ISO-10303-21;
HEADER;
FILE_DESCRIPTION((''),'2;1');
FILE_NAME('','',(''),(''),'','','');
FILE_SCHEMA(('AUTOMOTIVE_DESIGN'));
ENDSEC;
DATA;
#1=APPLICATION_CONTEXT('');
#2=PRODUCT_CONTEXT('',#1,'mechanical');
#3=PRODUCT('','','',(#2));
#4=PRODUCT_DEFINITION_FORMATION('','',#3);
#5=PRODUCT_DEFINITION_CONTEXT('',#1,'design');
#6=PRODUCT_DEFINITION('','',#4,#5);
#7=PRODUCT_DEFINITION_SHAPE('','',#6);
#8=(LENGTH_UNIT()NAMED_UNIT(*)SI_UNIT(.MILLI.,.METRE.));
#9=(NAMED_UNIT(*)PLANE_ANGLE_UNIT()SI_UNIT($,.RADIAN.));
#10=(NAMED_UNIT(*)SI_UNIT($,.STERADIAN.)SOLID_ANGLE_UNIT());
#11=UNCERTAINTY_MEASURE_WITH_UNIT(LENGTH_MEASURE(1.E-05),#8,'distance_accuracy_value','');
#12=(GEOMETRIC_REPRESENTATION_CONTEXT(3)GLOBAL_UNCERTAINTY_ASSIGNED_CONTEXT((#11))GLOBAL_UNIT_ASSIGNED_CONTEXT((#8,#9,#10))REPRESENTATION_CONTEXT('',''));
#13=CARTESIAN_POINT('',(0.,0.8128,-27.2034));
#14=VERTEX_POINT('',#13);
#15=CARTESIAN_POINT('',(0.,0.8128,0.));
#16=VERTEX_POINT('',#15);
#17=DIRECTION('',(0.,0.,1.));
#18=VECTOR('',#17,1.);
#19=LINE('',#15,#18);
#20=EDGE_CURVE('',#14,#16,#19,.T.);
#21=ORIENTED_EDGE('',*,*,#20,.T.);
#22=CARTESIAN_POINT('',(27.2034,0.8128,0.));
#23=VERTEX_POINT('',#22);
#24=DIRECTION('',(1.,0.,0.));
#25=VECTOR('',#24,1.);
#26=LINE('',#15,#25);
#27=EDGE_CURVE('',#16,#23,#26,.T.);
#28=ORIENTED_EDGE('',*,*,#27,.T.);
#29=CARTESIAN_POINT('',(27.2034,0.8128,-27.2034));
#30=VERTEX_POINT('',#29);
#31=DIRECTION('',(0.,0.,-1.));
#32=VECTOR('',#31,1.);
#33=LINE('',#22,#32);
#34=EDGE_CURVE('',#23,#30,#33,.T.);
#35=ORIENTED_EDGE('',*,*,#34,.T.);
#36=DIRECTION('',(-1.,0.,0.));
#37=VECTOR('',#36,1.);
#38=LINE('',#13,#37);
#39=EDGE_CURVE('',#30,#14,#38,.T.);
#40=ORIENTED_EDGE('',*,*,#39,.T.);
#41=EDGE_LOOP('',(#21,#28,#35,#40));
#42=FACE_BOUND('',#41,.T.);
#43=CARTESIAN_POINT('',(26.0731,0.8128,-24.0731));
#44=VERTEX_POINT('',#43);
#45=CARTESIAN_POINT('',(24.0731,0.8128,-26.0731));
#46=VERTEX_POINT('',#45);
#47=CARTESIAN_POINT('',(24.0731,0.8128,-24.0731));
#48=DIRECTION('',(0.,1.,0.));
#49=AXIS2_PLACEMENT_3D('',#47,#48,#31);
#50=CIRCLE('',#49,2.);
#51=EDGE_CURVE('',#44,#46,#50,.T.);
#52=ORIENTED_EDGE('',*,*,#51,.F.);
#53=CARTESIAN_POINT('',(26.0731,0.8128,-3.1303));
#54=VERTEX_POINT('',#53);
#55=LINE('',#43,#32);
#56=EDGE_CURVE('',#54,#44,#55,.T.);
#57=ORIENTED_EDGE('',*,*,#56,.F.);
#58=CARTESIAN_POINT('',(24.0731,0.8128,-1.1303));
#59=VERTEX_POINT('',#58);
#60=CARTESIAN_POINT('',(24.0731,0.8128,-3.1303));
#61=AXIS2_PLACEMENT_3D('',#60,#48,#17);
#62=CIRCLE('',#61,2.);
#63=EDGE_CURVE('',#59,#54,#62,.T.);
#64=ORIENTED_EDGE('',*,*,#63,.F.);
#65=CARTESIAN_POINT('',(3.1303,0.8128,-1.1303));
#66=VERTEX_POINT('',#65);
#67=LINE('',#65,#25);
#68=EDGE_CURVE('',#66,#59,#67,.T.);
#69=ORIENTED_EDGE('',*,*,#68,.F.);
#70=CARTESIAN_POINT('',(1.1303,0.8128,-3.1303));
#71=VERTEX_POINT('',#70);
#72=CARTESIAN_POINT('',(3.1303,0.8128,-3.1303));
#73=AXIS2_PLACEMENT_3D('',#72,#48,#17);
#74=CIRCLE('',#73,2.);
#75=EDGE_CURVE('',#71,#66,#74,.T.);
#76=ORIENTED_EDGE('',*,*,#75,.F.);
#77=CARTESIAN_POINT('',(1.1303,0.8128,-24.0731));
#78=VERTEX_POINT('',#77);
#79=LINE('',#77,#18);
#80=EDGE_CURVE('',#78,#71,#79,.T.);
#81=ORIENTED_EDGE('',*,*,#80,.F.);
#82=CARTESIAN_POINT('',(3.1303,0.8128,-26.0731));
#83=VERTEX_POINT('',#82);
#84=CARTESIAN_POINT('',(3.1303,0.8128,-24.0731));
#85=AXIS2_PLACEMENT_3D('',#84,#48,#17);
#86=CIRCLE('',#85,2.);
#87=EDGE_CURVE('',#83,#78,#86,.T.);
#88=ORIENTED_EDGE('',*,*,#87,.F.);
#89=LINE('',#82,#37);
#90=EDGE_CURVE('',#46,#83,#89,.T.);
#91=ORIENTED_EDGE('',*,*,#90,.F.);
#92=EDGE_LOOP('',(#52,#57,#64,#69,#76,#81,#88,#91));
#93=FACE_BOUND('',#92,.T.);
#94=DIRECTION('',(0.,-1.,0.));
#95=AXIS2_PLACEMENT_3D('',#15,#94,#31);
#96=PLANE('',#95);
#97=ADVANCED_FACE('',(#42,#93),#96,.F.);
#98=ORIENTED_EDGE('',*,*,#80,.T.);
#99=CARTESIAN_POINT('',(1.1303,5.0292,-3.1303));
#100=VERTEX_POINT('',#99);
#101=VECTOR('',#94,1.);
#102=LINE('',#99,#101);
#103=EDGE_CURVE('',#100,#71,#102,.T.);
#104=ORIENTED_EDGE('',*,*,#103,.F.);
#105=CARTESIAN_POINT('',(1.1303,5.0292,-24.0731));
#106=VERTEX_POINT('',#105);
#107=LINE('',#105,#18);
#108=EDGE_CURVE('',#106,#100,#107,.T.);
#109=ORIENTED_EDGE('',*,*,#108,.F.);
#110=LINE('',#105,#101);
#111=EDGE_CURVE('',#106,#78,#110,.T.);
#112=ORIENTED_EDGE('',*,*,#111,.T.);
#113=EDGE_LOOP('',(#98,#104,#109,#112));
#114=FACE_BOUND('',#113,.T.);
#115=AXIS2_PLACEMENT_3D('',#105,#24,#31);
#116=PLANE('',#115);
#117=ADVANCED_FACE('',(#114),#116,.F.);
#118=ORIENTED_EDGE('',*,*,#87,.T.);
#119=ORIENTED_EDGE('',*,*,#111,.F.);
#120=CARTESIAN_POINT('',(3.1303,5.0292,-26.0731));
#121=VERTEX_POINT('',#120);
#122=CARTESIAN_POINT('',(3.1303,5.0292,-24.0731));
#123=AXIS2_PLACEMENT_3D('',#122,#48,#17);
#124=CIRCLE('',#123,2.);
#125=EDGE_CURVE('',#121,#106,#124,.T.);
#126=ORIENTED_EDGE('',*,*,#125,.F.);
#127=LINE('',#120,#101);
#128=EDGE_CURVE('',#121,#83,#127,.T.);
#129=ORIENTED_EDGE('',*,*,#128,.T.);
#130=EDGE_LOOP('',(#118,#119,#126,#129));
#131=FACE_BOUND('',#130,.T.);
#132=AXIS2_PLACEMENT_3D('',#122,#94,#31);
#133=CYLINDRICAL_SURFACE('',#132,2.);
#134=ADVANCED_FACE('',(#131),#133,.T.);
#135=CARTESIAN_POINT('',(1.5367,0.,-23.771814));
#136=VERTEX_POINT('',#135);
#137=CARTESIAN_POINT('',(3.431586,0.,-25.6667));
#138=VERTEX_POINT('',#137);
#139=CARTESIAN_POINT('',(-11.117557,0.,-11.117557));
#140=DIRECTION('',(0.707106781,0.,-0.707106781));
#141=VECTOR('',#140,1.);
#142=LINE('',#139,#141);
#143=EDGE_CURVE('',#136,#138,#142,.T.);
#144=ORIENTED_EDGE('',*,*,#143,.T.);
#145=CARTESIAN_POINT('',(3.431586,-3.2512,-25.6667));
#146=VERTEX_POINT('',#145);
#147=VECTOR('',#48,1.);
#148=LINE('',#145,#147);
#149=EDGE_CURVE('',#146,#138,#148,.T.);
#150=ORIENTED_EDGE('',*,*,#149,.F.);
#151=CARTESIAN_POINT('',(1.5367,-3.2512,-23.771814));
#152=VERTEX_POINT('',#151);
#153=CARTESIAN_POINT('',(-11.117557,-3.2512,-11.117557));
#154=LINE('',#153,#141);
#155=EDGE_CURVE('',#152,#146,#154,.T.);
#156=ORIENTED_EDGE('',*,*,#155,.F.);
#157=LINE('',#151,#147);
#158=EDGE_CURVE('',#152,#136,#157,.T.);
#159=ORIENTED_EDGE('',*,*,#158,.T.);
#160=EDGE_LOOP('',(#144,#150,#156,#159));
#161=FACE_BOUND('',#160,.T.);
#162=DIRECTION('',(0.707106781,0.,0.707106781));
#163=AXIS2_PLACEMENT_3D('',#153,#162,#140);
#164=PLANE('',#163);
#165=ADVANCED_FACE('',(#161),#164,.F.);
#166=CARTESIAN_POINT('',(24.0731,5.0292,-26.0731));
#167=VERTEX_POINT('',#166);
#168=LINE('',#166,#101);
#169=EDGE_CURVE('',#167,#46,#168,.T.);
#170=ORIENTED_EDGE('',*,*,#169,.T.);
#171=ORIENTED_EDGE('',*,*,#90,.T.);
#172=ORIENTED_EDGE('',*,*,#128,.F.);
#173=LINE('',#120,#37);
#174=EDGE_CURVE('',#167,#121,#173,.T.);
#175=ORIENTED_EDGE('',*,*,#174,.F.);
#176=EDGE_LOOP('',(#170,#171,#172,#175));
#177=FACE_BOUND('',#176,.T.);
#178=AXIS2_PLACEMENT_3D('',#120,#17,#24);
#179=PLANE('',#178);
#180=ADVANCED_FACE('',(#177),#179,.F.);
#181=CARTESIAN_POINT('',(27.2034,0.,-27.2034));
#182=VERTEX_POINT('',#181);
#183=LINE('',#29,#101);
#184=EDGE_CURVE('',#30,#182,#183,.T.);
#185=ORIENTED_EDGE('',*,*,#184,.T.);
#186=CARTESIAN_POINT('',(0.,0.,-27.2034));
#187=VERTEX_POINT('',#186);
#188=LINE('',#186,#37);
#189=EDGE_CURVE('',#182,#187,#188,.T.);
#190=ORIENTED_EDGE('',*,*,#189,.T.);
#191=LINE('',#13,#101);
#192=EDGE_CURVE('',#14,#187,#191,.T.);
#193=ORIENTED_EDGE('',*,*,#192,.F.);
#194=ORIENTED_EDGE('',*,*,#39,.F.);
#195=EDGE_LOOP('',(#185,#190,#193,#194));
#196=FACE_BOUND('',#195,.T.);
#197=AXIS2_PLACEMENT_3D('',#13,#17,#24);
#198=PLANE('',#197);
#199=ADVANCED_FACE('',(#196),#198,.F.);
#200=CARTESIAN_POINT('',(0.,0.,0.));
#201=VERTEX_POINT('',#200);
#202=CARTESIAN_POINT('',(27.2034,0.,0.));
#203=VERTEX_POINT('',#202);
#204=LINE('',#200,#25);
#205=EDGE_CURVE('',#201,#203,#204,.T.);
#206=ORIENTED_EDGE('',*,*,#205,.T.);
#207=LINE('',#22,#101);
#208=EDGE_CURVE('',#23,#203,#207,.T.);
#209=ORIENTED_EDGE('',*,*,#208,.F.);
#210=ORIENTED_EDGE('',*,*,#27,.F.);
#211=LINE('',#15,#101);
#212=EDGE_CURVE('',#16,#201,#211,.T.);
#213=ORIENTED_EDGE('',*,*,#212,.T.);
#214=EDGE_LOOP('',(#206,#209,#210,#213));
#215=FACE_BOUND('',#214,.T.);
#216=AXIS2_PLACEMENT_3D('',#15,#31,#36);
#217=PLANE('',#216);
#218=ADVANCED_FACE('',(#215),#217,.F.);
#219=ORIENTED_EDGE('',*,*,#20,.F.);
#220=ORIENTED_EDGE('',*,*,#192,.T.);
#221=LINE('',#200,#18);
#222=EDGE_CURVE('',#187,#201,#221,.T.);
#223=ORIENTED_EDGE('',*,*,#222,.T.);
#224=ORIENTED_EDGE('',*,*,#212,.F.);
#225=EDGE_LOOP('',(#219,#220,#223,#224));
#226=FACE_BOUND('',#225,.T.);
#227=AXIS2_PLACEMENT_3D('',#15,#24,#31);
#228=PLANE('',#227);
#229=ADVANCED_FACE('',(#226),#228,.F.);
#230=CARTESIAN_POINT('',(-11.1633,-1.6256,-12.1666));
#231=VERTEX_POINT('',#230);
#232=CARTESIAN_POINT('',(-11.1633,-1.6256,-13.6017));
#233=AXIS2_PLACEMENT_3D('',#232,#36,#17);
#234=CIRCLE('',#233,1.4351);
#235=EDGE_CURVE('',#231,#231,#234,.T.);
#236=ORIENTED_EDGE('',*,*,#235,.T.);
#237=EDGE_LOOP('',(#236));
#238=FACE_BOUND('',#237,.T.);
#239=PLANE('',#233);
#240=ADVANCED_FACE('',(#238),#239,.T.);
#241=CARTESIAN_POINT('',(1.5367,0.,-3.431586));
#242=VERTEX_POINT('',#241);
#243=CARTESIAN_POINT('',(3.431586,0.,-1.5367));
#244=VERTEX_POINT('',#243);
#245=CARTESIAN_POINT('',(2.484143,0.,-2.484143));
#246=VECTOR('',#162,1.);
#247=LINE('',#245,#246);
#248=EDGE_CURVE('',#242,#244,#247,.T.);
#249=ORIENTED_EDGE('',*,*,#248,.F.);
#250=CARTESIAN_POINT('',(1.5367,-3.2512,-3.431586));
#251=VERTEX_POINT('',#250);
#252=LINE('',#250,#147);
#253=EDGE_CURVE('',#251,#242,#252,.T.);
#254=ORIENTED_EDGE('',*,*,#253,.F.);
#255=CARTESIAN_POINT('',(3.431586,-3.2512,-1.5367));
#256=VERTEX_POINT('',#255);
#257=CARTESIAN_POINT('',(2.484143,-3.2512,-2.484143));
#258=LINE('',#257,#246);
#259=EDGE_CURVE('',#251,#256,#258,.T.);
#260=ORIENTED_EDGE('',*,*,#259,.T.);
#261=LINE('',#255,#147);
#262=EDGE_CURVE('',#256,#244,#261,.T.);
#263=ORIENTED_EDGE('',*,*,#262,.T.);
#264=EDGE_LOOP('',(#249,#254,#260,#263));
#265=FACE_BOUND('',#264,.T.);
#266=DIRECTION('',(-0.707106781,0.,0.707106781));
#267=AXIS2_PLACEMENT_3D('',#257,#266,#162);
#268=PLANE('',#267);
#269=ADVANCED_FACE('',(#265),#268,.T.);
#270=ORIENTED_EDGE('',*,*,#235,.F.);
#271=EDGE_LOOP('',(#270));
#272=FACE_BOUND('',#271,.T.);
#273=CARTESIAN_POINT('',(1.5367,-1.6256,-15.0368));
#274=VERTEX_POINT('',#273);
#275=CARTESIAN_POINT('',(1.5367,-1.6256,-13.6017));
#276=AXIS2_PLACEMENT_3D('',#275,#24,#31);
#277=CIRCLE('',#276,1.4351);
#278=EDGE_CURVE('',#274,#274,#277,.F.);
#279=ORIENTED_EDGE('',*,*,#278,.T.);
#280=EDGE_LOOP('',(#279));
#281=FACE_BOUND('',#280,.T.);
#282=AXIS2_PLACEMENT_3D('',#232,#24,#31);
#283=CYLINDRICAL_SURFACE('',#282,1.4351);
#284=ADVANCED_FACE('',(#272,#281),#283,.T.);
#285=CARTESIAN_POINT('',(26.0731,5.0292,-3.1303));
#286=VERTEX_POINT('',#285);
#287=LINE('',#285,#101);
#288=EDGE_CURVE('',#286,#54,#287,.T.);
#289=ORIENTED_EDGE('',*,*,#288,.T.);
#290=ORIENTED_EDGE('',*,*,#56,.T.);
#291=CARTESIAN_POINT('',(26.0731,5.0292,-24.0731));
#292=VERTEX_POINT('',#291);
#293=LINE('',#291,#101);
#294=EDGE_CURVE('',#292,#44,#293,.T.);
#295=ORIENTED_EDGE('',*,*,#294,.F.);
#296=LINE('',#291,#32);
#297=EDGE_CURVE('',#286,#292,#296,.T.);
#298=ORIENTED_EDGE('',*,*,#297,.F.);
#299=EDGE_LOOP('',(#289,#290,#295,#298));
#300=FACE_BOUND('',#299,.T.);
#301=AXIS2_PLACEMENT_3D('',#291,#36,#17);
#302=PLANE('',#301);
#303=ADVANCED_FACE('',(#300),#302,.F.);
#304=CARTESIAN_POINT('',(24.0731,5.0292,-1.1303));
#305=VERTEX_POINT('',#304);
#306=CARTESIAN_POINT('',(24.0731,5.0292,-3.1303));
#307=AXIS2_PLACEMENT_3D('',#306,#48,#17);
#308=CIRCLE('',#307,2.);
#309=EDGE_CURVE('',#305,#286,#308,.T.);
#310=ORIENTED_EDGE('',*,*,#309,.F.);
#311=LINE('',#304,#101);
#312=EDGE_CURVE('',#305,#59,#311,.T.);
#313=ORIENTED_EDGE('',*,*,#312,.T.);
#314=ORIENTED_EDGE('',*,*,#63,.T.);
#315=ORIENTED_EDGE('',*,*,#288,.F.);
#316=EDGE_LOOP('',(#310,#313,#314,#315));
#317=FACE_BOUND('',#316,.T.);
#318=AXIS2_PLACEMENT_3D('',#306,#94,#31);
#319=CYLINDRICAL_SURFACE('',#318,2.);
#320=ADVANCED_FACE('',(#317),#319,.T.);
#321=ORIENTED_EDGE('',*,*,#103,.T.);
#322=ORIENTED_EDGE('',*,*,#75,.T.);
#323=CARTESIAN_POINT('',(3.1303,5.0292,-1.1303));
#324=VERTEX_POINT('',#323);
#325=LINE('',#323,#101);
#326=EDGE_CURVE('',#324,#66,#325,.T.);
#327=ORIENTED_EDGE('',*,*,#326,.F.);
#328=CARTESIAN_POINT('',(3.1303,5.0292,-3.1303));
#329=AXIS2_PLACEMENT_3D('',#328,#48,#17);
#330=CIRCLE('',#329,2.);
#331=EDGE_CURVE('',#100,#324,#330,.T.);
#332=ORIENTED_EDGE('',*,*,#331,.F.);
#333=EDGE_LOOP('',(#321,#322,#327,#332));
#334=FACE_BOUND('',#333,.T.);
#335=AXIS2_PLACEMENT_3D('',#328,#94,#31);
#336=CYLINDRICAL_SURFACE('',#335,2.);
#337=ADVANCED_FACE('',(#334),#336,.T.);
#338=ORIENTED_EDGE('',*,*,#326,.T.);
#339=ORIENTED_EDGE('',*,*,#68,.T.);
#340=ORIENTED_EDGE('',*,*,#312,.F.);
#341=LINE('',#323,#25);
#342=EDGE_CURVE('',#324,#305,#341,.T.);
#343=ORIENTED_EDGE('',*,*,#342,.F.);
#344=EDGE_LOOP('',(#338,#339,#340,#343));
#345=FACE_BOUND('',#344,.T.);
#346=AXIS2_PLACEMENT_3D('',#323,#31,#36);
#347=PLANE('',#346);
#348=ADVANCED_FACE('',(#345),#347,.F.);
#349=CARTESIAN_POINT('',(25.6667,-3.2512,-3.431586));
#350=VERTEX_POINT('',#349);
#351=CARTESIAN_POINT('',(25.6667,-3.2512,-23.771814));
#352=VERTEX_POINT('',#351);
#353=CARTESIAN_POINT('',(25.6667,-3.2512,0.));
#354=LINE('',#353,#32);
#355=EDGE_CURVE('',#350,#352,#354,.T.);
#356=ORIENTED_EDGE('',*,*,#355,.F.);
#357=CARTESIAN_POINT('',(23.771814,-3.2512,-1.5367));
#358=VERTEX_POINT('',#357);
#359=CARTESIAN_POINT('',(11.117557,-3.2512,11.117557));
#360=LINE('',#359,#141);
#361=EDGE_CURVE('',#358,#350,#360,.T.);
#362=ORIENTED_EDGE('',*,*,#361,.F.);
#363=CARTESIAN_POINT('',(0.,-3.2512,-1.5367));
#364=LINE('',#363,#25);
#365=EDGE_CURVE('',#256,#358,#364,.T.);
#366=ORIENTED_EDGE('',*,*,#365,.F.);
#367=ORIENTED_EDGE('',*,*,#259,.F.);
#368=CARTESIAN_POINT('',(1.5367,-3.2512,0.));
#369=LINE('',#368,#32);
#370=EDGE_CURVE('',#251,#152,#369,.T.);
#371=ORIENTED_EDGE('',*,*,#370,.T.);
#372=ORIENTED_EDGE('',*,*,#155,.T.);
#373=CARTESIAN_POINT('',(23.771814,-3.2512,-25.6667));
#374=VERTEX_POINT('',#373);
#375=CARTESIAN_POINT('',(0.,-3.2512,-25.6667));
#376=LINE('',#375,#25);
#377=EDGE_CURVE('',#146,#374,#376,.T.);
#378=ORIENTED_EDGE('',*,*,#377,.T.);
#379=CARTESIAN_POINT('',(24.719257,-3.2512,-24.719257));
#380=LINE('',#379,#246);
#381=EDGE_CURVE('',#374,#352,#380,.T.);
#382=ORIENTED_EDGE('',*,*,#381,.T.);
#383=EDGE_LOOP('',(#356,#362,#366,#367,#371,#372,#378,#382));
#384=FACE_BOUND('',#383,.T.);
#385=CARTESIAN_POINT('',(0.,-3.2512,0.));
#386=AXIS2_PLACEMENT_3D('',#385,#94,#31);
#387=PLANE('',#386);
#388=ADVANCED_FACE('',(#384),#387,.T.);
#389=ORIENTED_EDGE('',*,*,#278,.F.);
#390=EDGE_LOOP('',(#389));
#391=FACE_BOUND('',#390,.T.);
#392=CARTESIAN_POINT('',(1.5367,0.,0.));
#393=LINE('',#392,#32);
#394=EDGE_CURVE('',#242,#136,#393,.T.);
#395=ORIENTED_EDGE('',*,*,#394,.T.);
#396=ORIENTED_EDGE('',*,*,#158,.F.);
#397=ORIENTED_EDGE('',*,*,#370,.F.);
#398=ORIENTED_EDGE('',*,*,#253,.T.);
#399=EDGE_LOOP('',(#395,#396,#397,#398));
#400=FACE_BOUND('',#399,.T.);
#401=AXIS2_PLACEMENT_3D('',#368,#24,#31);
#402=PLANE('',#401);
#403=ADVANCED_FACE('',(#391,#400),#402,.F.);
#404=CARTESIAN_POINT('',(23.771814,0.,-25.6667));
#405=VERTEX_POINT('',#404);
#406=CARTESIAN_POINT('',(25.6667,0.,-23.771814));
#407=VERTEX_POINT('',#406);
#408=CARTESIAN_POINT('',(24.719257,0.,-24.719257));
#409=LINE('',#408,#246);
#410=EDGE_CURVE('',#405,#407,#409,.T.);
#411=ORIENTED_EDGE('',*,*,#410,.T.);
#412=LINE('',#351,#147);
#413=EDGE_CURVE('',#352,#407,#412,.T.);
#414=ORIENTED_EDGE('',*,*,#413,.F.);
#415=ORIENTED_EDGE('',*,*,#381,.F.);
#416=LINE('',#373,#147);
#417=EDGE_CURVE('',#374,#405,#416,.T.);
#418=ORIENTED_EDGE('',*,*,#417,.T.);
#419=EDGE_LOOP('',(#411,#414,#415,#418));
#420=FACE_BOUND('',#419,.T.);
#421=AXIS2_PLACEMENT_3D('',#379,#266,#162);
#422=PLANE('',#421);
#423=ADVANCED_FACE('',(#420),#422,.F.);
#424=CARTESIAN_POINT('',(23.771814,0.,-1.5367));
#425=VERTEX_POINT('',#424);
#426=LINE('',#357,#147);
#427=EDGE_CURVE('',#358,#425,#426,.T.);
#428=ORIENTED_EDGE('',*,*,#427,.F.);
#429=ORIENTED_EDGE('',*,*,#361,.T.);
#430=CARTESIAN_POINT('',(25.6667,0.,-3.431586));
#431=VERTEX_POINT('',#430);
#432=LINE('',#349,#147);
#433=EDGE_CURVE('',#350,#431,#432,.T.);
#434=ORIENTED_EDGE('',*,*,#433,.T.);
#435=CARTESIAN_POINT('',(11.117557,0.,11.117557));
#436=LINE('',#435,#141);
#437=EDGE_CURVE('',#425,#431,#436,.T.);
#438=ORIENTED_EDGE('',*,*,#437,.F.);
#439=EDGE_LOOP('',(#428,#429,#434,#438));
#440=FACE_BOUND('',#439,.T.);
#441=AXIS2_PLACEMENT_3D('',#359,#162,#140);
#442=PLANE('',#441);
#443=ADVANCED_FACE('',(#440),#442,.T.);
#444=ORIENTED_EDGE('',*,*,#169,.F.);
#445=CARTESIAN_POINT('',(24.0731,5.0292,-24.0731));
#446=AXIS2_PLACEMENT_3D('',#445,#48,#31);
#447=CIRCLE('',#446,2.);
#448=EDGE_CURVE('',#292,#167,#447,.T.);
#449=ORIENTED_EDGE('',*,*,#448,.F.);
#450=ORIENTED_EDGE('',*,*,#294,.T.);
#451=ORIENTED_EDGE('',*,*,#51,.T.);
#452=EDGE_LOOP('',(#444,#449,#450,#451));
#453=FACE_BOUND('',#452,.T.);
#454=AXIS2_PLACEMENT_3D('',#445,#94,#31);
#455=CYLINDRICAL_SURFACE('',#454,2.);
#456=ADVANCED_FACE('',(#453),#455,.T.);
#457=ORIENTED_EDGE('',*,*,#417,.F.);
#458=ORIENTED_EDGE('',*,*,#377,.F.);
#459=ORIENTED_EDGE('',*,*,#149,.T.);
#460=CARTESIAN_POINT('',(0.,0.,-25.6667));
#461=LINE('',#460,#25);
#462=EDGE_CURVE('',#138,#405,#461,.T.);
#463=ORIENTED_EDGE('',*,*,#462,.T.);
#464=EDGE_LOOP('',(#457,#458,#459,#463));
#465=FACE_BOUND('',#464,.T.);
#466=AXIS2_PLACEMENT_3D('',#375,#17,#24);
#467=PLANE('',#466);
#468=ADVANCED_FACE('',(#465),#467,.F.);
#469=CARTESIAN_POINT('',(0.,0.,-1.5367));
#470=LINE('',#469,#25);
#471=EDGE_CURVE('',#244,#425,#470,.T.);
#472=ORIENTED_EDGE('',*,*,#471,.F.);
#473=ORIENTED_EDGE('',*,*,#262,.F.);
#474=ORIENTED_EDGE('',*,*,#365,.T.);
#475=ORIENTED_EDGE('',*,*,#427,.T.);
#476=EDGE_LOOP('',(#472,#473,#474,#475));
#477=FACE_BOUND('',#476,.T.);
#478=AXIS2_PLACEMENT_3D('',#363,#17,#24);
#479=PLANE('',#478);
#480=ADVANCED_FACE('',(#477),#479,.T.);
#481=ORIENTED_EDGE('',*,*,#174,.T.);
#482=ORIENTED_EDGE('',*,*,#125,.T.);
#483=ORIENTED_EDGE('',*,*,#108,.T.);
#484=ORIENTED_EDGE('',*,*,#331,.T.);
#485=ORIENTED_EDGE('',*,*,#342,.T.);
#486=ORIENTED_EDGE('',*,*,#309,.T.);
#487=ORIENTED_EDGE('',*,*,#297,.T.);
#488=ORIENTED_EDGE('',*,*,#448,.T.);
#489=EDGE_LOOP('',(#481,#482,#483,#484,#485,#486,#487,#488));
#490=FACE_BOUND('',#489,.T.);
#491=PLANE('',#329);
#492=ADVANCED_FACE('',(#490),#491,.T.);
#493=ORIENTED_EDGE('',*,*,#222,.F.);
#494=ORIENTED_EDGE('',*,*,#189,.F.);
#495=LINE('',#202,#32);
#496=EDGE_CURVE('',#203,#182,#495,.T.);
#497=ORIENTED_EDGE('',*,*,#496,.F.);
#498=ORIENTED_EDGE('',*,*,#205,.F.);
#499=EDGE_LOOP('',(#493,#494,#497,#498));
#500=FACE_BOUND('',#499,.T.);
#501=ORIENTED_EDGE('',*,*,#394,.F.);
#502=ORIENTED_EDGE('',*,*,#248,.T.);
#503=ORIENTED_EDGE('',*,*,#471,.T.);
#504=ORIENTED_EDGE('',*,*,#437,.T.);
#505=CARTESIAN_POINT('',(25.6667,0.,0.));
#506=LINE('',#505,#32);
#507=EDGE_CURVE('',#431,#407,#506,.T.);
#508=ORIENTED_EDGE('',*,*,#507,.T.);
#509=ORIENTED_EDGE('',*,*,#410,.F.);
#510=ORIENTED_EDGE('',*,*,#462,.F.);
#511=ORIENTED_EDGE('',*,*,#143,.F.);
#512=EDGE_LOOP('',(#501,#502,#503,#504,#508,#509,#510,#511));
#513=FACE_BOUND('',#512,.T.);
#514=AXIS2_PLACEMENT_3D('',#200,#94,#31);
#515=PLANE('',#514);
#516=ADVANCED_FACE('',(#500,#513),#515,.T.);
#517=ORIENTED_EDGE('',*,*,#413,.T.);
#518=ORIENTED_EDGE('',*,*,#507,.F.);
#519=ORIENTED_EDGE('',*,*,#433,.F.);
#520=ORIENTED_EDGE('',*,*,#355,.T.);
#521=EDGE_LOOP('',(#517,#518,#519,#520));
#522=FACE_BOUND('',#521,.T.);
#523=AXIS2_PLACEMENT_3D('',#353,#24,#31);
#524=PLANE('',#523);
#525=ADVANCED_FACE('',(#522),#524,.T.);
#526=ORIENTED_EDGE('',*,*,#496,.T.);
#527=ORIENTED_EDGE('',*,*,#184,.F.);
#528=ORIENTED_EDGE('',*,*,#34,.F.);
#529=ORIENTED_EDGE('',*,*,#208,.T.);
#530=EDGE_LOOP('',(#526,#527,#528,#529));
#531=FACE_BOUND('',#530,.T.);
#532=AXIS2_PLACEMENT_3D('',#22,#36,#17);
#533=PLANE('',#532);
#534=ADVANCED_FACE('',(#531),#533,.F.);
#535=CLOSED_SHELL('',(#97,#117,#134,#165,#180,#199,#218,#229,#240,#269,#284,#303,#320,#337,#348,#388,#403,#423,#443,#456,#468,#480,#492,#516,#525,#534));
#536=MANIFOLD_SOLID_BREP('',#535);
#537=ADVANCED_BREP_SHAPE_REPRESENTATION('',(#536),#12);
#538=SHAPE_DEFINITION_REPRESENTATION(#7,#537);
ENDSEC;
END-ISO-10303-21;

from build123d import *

# Parameters (mm, degrees)
SKETCH1_W           = 27.2034
SKETCH1_H           = 27.2034
BOSS_EXTRUDE1_DEPTH = 0.8128
BOSS_EXTRUDE2_DEPTH = 4.2164
BOSS_EXTRUDE3_DEPTH = 3.2512
SKETCH4_R           = 1.4351
BOSS_EXTRUDE4_DEPTH = 12.7


with BuildPart() as part:
    # Sketch1 → Boss-Extrude1 (new body)
    with BuildSketch(Plane(origin=(0, 0, 0), x_dir=(1, 0, 0), z_dir=(0, 1, 0))):
        with Locations((13.6017, 13.6017)):
            Rectangle(SKETCH1_W, SKETCH1_H)
    extrude(amount=BOSS_EXTRUDE1_DEPTH)

    # Sketch2 → Boss-Extrude2 (add)
    with BuildSketch(Plane(origin=(0, 0.8128, 0), x_dir=(1, 0, 0), z_dir=(0, 1, 0))):
        with BuildLine():
            Line((3.1303, 26.0731), (24.0731, 26.0731))
            ThreePointArc((24.0731, 26.0731), (25.487313562, 25.487313562), (26.0731, 24.0731))
            Line((26.0731, 24.0731), (26.0731, 3.1303))
            ThreePointArc((26.0731, 3.1303), (25.487313562, 1.716086438), (24.0731, 1.1303))
            Line((24.0731, 1.1303), (3.1303, 1.1303))
            ThreePointArc((3.1303, 1.1303), (1.716086438, 1.716086438), (1.1303, 3.1303))
            Line((1.1303, 3.1303), (1.1303, 24.0731))
            ThreePointArc((1.1303, 24.0731), (1.716086438, 25.487313562), (3.1303, 26.0731))
        make_face()
    extrude(amount=BOSS_EXTRUDE2_DEPTH)

    # Sketch3 → Boss-Extrude3 (add)
    with BuildSketch(Plane.XZ):
        Polygon((23.771814156, -1.5367), (3.431585844, -1.5367), (1.5367, -3.431585844), (1.5367, -23.771814156), (3.431585844, -25.6667), (23.771814156, -25.6667), (25.6667, -23.771814156), (25.6667, -3.431585844), align=None)
    extrude(amount=BOSS_EXTRUDE3_DEPTH)

    # Sketch4 → Boss-Extrude4 (add)
    with BuildSketch(Plane.ZY.offset(-1.5367)):
        with Locations((-13.6017, -1.6256)):
            Circle(SKETCH4_R)
    extrude(amount=BOSS_EXTRUDE4_DEPTH)


solid = part.part
